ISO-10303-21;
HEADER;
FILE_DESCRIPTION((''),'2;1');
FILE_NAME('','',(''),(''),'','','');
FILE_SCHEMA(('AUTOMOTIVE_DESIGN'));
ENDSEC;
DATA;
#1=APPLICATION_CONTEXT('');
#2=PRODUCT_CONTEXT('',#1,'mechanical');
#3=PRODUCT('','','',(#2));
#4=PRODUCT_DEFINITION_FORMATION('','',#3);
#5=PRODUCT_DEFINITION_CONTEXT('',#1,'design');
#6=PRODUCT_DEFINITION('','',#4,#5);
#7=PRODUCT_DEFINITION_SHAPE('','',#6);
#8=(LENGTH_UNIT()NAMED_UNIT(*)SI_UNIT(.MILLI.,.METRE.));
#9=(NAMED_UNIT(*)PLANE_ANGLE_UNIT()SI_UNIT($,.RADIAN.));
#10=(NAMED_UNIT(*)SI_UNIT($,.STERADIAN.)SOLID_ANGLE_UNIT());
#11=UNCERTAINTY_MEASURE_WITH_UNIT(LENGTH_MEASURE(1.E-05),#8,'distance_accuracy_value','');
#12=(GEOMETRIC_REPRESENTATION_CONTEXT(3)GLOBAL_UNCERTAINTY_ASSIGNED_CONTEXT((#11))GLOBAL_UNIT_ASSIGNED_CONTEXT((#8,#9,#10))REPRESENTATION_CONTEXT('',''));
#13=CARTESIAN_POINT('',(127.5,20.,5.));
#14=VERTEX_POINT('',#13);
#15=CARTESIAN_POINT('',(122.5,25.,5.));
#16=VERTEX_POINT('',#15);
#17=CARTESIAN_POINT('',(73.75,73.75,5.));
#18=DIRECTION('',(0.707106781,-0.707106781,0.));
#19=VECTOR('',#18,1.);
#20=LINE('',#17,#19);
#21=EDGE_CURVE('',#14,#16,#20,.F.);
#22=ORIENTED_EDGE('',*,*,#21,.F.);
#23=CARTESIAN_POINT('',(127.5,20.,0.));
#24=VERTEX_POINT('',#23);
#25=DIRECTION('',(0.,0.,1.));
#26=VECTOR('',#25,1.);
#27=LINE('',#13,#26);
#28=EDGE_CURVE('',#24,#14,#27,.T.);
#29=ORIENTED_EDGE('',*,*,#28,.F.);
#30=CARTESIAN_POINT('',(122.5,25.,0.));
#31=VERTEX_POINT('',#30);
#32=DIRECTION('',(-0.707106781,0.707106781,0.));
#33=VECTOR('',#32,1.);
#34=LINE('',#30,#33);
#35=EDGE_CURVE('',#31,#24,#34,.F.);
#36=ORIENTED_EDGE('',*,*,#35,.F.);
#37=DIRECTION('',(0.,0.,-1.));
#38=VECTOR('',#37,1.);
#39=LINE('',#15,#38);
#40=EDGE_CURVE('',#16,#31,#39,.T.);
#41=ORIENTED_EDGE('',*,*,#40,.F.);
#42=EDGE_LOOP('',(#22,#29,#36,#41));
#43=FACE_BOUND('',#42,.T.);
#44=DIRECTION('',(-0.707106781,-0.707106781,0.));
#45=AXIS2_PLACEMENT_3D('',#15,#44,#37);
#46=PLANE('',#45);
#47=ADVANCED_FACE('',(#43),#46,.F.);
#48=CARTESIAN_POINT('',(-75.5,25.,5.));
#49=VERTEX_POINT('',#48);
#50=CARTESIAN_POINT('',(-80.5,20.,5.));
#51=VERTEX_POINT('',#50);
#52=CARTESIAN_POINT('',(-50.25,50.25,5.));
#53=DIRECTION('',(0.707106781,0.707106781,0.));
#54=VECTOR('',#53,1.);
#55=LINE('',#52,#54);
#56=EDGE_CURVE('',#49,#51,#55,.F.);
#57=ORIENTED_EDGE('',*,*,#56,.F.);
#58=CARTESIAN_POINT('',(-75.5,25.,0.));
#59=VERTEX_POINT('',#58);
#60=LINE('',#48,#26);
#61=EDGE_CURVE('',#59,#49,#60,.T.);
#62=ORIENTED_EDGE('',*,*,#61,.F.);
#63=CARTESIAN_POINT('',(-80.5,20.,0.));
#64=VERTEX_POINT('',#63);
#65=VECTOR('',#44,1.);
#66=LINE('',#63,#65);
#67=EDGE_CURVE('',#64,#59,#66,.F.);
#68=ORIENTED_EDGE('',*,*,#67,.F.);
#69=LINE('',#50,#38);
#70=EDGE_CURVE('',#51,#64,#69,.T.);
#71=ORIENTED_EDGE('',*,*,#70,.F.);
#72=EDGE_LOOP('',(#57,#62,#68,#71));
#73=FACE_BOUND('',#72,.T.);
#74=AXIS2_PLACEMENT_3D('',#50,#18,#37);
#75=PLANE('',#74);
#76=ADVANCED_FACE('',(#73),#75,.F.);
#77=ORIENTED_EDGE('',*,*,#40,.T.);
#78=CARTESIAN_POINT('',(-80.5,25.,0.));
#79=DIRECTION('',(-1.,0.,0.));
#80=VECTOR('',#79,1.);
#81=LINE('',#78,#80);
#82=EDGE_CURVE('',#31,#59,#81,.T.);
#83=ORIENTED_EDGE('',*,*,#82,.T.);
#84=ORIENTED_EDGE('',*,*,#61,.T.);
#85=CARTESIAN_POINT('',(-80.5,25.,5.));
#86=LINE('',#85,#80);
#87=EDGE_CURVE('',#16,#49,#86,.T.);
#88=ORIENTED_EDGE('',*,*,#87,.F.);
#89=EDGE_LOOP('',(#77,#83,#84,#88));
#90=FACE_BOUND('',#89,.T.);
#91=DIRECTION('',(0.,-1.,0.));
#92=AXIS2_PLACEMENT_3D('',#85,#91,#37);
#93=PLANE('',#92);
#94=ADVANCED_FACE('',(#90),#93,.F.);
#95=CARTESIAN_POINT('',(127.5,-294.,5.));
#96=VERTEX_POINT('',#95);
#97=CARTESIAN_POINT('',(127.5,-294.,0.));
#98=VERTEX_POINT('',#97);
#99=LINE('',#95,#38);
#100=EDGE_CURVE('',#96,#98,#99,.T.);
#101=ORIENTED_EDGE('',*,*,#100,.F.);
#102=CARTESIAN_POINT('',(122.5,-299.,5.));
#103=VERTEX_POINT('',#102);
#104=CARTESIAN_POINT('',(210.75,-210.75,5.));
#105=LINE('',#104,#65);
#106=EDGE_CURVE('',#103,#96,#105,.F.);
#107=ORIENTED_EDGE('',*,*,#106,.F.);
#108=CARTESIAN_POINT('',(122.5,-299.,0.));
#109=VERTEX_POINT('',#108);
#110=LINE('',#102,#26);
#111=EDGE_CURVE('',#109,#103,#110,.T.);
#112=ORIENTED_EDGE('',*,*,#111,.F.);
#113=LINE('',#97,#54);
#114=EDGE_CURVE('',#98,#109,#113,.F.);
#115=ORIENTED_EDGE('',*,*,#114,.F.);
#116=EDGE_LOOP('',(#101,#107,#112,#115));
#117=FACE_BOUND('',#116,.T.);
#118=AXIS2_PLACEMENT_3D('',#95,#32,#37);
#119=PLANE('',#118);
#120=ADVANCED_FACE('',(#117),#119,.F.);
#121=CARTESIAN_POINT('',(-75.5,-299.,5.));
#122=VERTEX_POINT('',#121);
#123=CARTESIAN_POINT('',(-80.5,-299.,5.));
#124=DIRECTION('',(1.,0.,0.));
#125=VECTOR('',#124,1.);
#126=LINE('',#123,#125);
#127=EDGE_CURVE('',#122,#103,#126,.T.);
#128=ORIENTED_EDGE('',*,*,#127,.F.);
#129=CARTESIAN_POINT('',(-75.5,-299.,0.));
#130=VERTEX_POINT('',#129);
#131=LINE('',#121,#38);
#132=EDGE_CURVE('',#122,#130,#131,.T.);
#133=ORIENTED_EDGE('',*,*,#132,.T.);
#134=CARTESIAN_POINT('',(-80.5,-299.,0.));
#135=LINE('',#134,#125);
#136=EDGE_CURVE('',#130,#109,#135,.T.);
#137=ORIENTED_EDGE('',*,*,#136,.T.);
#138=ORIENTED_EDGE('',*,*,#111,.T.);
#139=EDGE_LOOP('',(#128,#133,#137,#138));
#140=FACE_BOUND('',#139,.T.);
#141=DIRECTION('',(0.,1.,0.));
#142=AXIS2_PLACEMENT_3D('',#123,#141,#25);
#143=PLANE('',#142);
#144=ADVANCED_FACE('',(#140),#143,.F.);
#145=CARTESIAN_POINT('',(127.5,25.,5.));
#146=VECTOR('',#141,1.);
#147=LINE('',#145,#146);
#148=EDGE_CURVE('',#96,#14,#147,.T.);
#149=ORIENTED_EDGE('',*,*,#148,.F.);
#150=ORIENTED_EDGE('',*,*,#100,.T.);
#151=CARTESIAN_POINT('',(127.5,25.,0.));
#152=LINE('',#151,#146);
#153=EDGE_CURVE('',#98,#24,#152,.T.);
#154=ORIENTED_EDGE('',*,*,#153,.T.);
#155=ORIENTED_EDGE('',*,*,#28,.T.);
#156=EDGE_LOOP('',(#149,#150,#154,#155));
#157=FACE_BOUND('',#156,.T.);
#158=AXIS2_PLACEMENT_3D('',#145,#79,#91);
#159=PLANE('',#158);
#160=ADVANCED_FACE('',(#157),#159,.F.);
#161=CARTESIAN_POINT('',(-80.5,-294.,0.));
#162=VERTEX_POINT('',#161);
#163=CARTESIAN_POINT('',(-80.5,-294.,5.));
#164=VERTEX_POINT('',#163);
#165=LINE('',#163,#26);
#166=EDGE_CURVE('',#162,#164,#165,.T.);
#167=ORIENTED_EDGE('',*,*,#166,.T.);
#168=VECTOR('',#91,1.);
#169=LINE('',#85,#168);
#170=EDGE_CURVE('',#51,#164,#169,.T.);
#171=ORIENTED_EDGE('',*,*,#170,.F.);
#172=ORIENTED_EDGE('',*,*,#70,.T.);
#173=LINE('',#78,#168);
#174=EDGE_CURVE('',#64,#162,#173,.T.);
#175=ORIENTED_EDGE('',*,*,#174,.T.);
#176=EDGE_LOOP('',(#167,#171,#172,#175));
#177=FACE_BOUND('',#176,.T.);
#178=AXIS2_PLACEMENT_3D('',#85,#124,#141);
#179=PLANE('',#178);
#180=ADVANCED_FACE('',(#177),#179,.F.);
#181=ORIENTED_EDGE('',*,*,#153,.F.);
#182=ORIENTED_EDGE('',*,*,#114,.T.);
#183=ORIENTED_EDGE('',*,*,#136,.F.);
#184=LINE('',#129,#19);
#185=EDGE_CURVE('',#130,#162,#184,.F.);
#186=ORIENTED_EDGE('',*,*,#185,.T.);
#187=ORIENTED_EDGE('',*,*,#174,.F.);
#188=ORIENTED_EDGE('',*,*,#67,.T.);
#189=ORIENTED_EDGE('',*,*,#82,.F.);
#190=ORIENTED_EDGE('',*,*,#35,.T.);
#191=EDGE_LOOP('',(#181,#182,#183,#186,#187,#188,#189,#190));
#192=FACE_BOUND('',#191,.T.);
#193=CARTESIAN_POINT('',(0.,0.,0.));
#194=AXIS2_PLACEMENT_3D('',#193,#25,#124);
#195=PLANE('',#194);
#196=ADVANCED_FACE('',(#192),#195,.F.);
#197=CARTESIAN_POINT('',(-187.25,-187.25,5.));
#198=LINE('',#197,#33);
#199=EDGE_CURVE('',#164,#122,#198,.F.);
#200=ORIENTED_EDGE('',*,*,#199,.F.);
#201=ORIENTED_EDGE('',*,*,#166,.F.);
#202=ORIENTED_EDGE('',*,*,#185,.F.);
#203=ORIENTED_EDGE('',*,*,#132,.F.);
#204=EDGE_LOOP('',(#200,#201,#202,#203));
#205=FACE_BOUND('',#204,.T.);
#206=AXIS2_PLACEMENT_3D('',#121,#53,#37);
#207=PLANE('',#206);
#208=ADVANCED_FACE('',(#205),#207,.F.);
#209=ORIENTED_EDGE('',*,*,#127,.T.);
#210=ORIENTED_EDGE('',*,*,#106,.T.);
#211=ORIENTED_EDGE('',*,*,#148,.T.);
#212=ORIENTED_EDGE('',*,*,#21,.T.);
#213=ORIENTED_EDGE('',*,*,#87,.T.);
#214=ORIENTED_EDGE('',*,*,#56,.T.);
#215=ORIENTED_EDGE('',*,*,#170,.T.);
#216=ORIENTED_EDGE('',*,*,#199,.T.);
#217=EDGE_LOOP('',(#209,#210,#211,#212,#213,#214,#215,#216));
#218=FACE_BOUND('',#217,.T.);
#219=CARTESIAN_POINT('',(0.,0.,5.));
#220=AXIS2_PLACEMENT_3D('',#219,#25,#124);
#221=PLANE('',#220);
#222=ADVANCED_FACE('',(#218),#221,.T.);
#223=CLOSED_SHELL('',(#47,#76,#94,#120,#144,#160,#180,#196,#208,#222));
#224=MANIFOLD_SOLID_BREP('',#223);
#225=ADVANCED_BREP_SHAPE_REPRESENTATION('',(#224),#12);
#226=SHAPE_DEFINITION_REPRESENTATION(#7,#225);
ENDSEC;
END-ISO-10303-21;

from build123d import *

# Parameters (mm, degrees)
SKETCH1_W           = 208
SKETCH1_H           = 324
BOSS_EXTRUDE1_DEPTH = 5
CHAMFER1_SIZE       = 5


with BuildPart() as part:
    # Sketch1 → Boss-Extrude1 (new body)
    with BuildSketch(Plane.XY):
        with Locations((23.5, -137)):
            Rectangle(SKETCH1_W, SKETCH1_H)
    extrude(amount=BOSS_EXTRUDE1_DEPTH)

    # Chamfer1
    chamfer1_edges = [part.edges().sort_by_distance(p)[0] for p in [
        (-80.5, 25, 2.5),
        (127.5, 25, 2.5),
        (127.5, -299, 2.5),
        (-80.5, -299, 2.5),
    ]]
    chamfer(chamfer1_edges, length=CHAMFER1_SIZE)


solid = part.part
